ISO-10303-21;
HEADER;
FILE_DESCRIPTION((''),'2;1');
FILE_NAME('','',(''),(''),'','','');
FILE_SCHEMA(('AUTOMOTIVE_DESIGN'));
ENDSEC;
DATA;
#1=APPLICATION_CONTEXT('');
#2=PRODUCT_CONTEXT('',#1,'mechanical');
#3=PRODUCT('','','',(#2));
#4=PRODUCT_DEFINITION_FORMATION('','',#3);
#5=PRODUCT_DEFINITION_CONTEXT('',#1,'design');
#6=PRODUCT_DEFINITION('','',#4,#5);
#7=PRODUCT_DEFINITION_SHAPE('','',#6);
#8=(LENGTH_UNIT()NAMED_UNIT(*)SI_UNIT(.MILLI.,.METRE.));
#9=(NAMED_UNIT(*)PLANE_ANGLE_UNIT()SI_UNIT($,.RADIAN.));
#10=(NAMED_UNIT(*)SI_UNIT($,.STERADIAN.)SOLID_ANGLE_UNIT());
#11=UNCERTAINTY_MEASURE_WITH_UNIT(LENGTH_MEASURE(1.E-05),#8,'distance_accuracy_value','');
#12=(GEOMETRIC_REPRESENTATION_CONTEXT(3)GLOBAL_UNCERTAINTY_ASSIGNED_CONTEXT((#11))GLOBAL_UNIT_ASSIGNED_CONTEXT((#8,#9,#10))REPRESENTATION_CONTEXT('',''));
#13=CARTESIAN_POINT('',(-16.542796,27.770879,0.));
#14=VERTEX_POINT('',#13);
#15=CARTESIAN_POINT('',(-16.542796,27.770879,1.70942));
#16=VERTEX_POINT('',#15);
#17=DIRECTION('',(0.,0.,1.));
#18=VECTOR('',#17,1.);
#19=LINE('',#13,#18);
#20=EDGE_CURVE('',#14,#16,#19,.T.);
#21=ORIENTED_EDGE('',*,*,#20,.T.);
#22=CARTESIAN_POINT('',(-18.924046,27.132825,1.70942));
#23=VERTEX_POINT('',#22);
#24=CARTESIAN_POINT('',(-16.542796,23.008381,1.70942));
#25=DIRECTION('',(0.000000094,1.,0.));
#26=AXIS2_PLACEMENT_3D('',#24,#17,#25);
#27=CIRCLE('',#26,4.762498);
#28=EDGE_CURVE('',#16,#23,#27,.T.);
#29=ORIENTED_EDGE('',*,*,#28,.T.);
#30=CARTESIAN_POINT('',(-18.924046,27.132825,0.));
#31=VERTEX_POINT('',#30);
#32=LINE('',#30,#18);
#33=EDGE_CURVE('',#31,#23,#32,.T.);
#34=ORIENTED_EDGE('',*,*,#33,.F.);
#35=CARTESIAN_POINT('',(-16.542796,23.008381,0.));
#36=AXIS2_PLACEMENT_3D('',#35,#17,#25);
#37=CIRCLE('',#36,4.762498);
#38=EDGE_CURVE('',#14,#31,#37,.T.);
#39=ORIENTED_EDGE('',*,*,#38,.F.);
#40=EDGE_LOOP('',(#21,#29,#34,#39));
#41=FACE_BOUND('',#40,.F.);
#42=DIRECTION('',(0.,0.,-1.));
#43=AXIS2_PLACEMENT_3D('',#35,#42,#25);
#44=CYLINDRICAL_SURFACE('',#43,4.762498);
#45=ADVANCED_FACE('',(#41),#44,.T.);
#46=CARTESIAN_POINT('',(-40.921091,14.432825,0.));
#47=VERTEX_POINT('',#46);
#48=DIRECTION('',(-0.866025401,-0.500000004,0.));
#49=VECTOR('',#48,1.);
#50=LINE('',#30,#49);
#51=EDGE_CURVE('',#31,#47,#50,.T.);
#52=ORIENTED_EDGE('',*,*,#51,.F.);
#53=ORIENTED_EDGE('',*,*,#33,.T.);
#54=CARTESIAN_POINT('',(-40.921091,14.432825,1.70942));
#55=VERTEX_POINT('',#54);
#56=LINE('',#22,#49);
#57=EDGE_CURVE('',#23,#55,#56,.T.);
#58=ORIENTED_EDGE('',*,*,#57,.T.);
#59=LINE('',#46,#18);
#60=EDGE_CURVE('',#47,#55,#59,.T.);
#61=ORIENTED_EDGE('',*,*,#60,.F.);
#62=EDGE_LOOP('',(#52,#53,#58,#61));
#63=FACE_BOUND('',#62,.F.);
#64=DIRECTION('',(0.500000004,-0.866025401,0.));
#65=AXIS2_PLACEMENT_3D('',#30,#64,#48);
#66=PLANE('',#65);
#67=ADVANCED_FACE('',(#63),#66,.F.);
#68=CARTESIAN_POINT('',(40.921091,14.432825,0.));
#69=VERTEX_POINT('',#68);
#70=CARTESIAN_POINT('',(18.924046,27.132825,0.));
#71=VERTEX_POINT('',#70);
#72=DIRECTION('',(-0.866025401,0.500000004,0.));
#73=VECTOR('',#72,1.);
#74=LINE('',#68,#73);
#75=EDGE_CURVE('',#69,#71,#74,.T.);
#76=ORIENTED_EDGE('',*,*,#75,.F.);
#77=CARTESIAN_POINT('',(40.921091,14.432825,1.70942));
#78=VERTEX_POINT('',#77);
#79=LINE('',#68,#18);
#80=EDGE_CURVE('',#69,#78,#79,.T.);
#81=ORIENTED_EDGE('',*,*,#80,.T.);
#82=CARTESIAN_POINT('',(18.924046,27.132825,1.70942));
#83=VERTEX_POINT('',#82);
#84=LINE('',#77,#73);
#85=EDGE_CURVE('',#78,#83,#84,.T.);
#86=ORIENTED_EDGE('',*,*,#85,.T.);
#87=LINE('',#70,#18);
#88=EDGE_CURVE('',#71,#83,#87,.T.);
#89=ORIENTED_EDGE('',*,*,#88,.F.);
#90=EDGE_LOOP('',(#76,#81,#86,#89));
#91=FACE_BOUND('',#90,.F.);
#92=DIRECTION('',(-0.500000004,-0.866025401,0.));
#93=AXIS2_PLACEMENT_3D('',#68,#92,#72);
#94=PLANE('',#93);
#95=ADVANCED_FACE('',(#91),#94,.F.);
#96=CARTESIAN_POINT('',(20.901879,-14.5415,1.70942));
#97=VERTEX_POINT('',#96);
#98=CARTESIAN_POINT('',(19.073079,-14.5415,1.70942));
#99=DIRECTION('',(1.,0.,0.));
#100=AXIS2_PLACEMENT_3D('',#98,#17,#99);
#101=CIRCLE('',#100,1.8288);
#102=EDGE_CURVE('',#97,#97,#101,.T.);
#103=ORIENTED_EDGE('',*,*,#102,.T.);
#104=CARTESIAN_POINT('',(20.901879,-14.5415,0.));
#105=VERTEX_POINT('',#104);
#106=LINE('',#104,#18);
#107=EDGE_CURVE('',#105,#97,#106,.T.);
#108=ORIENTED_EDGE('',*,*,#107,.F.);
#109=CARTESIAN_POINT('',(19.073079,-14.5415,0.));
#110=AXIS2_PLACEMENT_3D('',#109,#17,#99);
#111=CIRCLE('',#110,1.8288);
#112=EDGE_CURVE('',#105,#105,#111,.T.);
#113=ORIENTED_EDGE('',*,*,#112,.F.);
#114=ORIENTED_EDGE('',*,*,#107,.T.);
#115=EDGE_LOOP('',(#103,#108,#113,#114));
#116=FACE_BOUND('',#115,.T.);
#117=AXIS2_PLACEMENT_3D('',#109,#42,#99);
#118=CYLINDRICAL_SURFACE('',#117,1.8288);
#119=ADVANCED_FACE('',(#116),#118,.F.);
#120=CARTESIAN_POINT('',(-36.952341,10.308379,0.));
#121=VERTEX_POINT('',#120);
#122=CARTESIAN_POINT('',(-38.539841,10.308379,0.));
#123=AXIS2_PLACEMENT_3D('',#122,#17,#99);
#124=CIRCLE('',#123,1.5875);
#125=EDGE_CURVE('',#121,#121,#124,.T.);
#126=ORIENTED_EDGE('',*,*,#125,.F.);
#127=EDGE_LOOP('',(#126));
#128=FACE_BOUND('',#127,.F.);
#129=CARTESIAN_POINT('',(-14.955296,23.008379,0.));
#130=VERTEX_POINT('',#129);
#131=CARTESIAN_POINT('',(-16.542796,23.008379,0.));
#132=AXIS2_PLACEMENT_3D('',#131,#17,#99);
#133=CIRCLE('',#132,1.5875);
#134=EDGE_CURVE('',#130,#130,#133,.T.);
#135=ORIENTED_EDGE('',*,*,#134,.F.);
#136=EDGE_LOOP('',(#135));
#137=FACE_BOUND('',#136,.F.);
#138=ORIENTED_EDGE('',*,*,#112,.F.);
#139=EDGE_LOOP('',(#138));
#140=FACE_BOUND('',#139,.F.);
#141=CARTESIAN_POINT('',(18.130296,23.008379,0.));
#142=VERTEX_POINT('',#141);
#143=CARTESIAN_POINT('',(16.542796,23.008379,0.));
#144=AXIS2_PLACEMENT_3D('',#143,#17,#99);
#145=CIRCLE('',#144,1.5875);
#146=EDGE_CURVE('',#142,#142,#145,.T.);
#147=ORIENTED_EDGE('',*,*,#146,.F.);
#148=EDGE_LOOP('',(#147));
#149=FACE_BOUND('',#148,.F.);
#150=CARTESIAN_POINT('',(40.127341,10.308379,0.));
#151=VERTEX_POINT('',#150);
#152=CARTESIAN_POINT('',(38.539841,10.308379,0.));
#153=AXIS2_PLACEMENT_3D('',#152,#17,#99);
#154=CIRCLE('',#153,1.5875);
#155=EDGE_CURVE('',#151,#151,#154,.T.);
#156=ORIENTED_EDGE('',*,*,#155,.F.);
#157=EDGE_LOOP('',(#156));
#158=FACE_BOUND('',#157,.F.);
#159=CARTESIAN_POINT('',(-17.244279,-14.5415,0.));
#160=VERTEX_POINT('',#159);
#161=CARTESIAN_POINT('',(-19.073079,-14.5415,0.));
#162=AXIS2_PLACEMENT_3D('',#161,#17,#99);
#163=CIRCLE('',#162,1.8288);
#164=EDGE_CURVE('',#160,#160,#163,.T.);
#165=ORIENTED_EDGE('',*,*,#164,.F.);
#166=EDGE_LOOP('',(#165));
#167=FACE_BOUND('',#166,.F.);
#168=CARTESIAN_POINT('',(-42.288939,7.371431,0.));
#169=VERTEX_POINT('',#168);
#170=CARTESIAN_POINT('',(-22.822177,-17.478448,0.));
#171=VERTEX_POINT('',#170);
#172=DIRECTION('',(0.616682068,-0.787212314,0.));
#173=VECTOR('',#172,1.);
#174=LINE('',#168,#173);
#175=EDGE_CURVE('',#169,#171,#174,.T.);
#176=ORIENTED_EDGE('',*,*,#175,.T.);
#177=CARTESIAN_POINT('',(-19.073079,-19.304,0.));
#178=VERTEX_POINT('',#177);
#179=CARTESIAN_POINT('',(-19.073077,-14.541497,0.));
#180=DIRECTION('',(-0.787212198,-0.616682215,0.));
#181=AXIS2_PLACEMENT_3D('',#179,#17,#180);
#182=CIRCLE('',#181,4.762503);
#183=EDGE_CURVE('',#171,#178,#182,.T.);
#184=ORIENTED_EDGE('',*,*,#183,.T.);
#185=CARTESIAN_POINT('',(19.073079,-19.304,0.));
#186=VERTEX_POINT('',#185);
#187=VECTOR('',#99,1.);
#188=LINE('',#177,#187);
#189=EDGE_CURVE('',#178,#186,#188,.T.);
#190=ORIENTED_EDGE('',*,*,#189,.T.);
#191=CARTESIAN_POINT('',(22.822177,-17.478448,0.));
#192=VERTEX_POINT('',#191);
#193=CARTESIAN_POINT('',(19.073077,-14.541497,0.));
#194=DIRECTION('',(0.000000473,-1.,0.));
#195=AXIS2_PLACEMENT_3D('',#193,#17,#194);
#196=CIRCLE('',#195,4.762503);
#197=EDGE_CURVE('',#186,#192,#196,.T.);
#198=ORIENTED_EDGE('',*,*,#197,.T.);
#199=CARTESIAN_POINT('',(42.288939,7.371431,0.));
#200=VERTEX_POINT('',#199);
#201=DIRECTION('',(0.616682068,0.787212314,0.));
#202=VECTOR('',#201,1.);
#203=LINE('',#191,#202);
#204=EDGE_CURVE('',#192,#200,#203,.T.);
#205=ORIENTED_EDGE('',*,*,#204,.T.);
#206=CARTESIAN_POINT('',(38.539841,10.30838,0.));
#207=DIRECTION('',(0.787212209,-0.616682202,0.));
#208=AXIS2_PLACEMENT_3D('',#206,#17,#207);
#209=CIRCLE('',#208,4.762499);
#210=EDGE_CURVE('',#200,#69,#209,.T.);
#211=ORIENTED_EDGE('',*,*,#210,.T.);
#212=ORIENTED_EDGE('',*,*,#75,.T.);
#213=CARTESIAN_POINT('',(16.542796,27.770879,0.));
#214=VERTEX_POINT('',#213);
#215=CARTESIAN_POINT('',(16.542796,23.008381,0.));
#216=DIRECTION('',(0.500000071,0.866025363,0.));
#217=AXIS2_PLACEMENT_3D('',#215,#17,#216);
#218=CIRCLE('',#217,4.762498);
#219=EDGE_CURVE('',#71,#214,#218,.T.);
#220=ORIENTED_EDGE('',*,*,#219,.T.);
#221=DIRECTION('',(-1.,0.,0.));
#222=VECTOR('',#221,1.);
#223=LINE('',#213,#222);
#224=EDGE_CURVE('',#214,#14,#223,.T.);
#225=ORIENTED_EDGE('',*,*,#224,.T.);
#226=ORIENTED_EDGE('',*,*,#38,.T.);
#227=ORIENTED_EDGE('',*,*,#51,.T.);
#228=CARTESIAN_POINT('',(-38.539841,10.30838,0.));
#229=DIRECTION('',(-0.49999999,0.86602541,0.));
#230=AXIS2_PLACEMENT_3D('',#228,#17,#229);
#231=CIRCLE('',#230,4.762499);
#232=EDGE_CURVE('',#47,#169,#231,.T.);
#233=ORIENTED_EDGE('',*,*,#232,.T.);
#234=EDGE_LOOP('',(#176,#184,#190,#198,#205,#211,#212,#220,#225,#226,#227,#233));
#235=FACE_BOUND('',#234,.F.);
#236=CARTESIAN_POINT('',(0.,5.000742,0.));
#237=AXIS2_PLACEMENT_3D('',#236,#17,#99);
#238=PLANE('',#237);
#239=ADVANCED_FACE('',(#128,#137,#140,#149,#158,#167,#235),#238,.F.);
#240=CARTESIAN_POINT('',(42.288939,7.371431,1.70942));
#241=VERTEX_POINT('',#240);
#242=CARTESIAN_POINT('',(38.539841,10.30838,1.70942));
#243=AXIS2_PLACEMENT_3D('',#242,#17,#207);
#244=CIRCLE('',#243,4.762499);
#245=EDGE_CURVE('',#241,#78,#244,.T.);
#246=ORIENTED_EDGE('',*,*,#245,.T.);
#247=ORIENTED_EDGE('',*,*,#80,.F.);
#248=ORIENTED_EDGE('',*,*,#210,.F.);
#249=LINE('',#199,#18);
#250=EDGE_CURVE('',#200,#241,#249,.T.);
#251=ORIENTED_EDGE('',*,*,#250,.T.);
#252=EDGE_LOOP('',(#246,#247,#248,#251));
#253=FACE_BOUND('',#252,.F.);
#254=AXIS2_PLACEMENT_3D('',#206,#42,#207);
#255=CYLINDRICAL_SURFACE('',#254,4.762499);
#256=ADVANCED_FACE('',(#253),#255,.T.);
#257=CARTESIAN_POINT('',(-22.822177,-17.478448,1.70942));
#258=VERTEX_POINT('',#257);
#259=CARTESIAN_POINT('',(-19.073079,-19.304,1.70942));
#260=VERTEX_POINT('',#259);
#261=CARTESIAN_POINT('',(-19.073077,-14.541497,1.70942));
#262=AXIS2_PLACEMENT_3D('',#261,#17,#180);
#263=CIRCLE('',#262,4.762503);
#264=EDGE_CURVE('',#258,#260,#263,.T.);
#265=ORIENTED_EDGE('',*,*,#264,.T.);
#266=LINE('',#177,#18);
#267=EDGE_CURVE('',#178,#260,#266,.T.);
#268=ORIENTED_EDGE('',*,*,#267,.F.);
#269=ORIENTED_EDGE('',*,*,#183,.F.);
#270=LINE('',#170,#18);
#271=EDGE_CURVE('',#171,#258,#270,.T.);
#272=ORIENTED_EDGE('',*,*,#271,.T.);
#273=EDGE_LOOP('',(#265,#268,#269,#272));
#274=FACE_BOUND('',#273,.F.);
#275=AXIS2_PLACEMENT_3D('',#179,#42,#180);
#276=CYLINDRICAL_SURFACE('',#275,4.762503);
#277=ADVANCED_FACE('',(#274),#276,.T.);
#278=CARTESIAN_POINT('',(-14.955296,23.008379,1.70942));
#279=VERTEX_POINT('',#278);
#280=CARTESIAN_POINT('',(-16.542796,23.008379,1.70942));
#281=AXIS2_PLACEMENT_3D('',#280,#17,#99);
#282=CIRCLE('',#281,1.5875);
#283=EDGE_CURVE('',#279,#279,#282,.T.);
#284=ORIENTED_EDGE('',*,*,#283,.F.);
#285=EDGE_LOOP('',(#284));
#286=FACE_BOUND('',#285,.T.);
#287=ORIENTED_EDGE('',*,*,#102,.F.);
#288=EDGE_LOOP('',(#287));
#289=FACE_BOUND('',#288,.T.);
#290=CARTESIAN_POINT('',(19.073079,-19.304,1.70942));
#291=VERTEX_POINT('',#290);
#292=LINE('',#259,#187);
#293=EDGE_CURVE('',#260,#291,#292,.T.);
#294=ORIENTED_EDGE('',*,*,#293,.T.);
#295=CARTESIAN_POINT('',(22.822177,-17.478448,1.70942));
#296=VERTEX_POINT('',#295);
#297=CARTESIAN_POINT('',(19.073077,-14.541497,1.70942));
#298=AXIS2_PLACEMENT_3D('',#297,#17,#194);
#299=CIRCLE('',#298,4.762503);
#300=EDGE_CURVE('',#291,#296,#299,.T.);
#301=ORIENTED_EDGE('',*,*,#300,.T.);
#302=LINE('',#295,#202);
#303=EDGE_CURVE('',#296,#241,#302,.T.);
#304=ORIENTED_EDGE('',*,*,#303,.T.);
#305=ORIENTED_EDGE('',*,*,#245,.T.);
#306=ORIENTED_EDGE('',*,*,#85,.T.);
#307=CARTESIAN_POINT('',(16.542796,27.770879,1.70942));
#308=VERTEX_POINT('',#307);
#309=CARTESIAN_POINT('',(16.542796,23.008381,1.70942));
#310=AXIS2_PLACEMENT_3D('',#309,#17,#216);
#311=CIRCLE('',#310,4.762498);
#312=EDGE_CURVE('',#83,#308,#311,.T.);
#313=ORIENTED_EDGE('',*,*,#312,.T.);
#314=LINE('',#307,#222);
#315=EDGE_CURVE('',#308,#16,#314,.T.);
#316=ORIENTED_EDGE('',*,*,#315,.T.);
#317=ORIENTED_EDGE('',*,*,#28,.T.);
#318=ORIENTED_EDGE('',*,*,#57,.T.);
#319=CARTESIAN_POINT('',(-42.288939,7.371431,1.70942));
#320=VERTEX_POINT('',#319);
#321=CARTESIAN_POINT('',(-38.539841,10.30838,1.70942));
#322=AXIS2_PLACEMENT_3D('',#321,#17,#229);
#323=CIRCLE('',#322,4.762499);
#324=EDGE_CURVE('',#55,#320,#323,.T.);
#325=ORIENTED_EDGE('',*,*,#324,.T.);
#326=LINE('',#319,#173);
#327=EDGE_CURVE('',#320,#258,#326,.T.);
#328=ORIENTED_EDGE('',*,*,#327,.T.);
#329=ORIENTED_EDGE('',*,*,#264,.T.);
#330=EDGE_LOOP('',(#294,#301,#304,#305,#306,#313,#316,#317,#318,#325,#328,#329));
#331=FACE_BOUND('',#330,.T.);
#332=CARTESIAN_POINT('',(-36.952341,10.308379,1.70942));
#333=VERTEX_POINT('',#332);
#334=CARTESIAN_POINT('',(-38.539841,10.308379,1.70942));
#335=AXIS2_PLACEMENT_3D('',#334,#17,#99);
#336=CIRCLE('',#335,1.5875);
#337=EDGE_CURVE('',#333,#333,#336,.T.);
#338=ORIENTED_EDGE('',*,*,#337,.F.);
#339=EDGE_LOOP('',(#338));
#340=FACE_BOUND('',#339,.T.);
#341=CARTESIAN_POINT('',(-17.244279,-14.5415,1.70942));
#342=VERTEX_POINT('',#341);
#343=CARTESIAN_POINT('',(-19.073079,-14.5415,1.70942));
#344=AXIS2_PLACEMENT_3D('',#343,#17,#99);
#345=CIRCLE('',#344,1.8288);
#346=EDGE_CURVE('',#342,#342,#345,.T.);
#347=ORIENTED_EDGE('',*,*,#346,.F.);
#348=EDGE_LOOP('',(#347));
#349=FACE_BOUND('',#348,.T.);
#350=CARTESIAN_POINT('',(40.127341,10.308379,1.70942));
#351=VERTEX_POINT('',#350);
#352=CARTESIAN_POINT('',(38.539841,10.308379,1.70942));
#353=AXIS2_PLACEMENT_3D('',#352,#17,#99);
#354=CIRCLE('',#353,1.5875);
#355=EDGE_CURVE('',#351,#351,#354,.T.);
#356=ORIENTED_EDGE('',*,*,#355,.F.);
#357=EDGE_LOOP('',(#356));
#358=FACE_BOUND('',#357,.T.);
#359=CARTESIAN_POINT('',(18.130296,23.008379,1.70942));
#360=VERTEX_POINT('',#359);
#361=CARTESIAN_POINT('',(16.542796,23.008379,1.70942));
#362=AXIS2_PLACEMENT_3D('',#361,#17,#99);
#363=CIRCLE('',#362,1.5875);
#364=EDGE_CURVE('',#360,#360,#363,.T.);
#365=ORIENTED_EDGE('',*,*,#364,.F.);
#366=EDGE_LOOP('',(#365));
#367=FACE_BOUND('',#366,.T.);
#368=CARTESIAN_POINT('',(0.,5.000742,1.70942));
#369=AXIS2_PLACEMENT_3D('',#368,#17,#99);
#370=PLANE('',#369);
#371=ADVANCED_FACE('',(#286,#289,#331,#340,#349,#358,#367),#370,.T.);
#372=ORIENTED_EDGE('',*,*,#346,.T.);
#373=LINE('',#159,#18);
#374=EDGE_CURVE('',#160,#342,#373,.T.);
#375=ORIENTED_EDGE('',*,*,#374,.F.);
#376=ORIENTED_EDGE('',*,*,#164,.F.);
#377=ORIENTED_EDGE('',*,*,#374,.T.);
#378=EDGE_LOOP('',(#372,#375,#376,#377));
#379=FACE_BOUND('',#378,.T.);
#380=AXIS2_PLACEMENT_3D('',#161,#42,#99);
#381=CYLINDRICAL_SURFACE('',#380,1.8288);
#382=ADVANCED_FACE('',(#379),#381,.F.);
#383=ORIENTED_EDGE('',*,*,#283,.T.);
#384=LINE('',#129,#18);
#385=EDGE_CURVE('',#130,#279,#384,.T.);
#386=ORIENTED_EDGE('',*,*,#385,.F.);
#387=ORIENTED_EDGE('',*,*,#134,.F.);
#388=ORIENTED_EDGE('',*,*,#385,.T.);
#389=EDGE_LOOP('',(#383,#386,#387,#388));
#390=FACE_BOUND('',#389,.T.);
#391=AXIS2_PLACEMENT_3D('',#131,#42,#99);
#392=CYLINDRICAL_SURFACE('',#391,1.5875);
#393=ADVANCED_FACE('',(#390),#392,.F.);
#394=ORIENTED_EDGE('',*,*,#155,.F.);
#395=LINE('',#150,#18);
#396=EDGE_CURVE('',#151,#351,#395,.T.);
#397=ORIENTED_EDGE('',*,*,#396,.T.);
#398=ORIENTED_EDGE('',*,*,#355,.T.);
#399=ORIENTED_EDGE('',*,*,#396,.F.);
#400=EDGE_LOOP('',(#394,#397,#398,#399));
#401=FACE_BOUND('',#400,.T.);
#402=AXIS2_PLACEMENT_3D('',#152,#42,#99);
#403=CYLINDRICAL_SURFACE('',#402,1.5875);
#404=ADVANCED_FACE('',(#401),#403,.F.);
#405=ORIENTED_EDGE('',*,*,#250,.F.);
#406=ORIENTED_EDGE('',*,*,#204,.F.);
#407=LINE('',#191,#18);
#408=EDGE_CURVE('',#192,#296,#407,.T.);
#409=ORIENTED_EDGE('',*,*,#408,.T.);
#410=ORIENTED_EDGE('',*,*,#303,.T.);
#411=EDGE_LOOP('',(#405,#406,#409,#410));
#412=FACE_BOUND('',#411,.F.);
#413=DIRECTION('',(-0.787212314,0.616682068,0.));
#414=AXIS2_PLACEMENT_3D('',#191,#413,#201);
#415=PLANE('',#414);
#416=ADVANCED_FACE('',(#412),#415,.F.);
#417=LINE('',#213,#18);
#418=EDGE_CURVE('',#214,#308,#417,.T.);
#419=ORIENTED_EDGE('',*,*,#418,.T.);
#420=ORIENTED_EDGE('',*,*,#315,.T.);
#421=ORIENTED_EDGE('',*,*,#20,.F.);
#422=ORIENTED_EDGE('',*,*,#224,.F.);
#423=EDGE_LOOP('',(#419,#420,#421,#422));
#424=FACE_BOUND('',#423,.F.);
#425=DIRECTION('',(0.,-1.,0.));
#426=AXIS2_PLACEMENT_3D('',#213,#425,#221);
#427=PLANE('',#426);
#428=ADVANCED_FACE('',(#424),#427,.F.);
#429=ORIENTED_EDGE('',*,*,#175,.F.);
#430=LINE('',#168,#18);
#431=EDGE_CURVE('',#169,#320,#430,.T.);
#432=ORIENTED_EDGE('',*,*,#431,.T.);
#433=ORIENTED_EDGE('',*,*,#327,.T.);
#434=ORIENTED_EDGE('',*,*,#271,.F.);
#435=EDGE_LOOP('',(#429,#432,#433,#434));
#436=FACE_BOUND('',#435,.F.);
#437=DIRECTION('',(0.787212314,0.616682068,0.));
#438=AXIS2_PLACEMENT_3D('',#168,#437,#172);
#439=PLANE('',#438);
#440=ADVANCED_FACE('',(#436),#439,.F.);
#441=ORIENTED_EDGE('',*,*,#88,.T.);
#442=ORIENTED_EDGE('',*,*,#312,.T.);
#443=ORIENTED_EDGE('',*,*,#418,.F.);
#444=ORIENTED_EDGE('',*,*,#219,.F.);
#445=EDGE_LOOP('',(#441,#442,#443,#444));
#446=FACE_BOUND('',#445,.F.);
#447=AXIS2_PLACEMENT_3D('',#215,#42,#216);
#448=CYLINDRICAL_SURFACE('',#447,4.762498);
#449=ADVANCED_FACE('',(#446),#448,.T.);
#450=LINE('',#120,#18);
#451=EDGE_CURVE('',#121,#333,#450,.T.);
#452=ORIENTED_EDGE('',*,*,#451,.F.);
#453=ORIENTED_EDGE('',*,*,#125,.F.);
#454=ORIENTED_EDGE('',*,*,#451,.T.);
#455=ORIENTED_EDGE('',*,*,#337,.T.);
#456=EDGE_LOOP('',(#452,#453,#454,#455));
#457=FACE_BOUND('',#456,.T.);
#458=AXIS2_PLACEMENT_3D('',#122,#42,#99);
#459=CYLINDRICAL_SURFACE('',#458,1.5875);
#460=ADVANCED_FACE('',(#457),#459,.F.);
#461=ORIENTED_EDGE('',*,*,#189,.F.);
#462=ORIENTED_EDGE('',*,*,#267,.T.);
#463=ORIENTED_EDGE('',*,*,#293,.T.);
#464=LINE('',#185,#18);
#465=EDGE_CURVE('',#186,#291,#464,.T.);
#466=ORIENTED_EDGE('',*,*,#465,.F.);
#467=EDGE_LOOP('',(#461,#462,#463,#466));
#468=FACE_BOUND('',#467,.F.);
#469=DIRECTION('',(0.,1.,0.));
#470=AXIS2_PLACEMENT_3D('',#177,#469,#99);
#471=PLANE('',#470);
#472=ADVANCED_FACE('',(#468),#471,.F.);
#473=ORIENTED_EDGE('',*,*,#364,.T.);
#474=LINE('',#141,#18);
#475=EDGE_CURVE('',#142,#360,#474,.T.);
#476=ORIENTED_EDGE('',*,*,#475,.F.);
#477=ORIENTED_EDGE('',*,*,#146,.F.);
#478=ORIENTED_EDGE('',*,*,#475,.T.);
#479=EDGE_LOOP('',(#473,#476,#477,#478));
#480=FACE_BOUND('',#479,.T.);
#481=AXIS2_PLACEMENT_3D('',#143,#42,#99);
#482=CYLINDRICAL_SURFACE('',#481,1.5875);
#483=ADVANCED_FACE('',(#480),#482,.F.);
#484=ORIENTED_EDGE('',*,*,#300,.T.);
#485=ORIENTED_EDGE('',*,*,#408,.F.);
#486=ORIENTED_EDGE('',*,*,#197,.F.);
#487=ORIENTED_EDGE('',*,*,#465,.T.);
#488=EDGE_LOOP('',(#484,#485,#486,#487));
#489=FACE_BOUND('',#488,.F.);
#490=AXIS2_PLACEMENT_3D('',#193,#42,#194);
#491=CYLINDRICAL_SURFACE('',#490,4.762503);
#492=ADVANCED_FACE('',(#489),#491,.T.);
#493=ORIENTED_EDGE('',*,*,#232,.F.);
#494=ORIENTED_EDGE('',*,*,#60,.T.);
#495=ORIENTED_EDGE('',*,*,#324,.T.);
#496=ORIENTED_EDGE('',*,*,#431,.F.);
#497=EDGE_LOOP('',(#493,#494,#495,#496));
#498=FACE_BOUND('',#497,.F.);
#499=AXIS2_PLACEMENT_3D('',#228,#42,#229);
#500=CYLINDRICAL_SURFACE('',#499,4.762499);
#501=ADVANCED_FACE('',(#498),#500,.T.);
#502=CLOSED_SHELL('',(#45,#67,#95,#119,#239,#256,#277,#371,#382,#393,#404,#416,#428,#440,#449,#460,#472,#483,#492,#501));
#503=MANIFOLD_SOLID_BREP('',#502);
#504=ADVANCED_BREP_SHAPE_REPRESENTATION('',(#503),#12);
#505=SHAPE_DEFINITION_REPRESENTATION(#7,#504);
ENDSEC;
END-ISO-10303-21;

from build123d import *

# Parameters (mm, degrees)
F0_R     = 1.8288
F0_R_2   = 1.5875
F1_DEPTH = 1.70942


with BuildPart() as f1:
    # F0 (on Top) → F1 (new body)
    with BuildSketch(Plane.XY):
        with BuildLine():
            Line((16.542796, 27.770879), (-16.542796, 27.770879))
            ThreePointArc((-16.542796, 27.770879), (-17.775421, 27.608601), (-18.924046, 27.132825))
            Line((-18.924046, 27.132825), (-40.921091, 14.432825))
            ThreePointArc((-40.921091, 14.432825), (-43.215428, 11.214078), (-42.288939, 7.371431))
            Line((-42.288939, 7.371431), (-22.822177, -17.478448))
            ThreePointArc((-22.822177, -17.478448), (-21.158047, -18.823358), (-19.073079, -19.304))
            Line((-19.073079, -19.304), (19.073079, -19.304))
            ThreePointArc((19.073079, -19.304), (21.158047, -18.823358), (22.822177, -17.478448))
            Line((22.822177, -17.478448), (42.288939, 7.371431))
            ThreePointArc((42.288939, 7.371431), (43.215428, 11.214078), (40.921091, 14.432825))
            Line((40.921091, 14.432825), (18.924046, 27.132825))
            ThreePointArc((18.924046, 27.132825), (17.775421, 27.608601), (16.542796, 27.770879))
        make_face()
        with Locations((-19.073079, -14.5415)):
            Circle(F0_R, mode=Mode.SUBTRACT)
        with Locations((19.073079, -14.5415)):
            Circle(F0_R, mode=Mode.SUBTRACT)
        with Locations((-38.539841, 10.308379)):
            Circle(F0_R_2, mode=Mode.SUBTRACT)
        with Locations((-16.542796, 23.008379)):
            Circle(F0_R_2, mode=Mode.SUBTRACT)
        with Locations((38.539841, 10.308379)):
            Circle(F0_R_2, mode=Mode.SUBTRACT)
        with Locations((16.542796, 23.008379)):
            Circle(F0_R_2, mode=Mode.SUBTRACT)
    extrude(amount=F1_DEPTH)


solid = f1.part
